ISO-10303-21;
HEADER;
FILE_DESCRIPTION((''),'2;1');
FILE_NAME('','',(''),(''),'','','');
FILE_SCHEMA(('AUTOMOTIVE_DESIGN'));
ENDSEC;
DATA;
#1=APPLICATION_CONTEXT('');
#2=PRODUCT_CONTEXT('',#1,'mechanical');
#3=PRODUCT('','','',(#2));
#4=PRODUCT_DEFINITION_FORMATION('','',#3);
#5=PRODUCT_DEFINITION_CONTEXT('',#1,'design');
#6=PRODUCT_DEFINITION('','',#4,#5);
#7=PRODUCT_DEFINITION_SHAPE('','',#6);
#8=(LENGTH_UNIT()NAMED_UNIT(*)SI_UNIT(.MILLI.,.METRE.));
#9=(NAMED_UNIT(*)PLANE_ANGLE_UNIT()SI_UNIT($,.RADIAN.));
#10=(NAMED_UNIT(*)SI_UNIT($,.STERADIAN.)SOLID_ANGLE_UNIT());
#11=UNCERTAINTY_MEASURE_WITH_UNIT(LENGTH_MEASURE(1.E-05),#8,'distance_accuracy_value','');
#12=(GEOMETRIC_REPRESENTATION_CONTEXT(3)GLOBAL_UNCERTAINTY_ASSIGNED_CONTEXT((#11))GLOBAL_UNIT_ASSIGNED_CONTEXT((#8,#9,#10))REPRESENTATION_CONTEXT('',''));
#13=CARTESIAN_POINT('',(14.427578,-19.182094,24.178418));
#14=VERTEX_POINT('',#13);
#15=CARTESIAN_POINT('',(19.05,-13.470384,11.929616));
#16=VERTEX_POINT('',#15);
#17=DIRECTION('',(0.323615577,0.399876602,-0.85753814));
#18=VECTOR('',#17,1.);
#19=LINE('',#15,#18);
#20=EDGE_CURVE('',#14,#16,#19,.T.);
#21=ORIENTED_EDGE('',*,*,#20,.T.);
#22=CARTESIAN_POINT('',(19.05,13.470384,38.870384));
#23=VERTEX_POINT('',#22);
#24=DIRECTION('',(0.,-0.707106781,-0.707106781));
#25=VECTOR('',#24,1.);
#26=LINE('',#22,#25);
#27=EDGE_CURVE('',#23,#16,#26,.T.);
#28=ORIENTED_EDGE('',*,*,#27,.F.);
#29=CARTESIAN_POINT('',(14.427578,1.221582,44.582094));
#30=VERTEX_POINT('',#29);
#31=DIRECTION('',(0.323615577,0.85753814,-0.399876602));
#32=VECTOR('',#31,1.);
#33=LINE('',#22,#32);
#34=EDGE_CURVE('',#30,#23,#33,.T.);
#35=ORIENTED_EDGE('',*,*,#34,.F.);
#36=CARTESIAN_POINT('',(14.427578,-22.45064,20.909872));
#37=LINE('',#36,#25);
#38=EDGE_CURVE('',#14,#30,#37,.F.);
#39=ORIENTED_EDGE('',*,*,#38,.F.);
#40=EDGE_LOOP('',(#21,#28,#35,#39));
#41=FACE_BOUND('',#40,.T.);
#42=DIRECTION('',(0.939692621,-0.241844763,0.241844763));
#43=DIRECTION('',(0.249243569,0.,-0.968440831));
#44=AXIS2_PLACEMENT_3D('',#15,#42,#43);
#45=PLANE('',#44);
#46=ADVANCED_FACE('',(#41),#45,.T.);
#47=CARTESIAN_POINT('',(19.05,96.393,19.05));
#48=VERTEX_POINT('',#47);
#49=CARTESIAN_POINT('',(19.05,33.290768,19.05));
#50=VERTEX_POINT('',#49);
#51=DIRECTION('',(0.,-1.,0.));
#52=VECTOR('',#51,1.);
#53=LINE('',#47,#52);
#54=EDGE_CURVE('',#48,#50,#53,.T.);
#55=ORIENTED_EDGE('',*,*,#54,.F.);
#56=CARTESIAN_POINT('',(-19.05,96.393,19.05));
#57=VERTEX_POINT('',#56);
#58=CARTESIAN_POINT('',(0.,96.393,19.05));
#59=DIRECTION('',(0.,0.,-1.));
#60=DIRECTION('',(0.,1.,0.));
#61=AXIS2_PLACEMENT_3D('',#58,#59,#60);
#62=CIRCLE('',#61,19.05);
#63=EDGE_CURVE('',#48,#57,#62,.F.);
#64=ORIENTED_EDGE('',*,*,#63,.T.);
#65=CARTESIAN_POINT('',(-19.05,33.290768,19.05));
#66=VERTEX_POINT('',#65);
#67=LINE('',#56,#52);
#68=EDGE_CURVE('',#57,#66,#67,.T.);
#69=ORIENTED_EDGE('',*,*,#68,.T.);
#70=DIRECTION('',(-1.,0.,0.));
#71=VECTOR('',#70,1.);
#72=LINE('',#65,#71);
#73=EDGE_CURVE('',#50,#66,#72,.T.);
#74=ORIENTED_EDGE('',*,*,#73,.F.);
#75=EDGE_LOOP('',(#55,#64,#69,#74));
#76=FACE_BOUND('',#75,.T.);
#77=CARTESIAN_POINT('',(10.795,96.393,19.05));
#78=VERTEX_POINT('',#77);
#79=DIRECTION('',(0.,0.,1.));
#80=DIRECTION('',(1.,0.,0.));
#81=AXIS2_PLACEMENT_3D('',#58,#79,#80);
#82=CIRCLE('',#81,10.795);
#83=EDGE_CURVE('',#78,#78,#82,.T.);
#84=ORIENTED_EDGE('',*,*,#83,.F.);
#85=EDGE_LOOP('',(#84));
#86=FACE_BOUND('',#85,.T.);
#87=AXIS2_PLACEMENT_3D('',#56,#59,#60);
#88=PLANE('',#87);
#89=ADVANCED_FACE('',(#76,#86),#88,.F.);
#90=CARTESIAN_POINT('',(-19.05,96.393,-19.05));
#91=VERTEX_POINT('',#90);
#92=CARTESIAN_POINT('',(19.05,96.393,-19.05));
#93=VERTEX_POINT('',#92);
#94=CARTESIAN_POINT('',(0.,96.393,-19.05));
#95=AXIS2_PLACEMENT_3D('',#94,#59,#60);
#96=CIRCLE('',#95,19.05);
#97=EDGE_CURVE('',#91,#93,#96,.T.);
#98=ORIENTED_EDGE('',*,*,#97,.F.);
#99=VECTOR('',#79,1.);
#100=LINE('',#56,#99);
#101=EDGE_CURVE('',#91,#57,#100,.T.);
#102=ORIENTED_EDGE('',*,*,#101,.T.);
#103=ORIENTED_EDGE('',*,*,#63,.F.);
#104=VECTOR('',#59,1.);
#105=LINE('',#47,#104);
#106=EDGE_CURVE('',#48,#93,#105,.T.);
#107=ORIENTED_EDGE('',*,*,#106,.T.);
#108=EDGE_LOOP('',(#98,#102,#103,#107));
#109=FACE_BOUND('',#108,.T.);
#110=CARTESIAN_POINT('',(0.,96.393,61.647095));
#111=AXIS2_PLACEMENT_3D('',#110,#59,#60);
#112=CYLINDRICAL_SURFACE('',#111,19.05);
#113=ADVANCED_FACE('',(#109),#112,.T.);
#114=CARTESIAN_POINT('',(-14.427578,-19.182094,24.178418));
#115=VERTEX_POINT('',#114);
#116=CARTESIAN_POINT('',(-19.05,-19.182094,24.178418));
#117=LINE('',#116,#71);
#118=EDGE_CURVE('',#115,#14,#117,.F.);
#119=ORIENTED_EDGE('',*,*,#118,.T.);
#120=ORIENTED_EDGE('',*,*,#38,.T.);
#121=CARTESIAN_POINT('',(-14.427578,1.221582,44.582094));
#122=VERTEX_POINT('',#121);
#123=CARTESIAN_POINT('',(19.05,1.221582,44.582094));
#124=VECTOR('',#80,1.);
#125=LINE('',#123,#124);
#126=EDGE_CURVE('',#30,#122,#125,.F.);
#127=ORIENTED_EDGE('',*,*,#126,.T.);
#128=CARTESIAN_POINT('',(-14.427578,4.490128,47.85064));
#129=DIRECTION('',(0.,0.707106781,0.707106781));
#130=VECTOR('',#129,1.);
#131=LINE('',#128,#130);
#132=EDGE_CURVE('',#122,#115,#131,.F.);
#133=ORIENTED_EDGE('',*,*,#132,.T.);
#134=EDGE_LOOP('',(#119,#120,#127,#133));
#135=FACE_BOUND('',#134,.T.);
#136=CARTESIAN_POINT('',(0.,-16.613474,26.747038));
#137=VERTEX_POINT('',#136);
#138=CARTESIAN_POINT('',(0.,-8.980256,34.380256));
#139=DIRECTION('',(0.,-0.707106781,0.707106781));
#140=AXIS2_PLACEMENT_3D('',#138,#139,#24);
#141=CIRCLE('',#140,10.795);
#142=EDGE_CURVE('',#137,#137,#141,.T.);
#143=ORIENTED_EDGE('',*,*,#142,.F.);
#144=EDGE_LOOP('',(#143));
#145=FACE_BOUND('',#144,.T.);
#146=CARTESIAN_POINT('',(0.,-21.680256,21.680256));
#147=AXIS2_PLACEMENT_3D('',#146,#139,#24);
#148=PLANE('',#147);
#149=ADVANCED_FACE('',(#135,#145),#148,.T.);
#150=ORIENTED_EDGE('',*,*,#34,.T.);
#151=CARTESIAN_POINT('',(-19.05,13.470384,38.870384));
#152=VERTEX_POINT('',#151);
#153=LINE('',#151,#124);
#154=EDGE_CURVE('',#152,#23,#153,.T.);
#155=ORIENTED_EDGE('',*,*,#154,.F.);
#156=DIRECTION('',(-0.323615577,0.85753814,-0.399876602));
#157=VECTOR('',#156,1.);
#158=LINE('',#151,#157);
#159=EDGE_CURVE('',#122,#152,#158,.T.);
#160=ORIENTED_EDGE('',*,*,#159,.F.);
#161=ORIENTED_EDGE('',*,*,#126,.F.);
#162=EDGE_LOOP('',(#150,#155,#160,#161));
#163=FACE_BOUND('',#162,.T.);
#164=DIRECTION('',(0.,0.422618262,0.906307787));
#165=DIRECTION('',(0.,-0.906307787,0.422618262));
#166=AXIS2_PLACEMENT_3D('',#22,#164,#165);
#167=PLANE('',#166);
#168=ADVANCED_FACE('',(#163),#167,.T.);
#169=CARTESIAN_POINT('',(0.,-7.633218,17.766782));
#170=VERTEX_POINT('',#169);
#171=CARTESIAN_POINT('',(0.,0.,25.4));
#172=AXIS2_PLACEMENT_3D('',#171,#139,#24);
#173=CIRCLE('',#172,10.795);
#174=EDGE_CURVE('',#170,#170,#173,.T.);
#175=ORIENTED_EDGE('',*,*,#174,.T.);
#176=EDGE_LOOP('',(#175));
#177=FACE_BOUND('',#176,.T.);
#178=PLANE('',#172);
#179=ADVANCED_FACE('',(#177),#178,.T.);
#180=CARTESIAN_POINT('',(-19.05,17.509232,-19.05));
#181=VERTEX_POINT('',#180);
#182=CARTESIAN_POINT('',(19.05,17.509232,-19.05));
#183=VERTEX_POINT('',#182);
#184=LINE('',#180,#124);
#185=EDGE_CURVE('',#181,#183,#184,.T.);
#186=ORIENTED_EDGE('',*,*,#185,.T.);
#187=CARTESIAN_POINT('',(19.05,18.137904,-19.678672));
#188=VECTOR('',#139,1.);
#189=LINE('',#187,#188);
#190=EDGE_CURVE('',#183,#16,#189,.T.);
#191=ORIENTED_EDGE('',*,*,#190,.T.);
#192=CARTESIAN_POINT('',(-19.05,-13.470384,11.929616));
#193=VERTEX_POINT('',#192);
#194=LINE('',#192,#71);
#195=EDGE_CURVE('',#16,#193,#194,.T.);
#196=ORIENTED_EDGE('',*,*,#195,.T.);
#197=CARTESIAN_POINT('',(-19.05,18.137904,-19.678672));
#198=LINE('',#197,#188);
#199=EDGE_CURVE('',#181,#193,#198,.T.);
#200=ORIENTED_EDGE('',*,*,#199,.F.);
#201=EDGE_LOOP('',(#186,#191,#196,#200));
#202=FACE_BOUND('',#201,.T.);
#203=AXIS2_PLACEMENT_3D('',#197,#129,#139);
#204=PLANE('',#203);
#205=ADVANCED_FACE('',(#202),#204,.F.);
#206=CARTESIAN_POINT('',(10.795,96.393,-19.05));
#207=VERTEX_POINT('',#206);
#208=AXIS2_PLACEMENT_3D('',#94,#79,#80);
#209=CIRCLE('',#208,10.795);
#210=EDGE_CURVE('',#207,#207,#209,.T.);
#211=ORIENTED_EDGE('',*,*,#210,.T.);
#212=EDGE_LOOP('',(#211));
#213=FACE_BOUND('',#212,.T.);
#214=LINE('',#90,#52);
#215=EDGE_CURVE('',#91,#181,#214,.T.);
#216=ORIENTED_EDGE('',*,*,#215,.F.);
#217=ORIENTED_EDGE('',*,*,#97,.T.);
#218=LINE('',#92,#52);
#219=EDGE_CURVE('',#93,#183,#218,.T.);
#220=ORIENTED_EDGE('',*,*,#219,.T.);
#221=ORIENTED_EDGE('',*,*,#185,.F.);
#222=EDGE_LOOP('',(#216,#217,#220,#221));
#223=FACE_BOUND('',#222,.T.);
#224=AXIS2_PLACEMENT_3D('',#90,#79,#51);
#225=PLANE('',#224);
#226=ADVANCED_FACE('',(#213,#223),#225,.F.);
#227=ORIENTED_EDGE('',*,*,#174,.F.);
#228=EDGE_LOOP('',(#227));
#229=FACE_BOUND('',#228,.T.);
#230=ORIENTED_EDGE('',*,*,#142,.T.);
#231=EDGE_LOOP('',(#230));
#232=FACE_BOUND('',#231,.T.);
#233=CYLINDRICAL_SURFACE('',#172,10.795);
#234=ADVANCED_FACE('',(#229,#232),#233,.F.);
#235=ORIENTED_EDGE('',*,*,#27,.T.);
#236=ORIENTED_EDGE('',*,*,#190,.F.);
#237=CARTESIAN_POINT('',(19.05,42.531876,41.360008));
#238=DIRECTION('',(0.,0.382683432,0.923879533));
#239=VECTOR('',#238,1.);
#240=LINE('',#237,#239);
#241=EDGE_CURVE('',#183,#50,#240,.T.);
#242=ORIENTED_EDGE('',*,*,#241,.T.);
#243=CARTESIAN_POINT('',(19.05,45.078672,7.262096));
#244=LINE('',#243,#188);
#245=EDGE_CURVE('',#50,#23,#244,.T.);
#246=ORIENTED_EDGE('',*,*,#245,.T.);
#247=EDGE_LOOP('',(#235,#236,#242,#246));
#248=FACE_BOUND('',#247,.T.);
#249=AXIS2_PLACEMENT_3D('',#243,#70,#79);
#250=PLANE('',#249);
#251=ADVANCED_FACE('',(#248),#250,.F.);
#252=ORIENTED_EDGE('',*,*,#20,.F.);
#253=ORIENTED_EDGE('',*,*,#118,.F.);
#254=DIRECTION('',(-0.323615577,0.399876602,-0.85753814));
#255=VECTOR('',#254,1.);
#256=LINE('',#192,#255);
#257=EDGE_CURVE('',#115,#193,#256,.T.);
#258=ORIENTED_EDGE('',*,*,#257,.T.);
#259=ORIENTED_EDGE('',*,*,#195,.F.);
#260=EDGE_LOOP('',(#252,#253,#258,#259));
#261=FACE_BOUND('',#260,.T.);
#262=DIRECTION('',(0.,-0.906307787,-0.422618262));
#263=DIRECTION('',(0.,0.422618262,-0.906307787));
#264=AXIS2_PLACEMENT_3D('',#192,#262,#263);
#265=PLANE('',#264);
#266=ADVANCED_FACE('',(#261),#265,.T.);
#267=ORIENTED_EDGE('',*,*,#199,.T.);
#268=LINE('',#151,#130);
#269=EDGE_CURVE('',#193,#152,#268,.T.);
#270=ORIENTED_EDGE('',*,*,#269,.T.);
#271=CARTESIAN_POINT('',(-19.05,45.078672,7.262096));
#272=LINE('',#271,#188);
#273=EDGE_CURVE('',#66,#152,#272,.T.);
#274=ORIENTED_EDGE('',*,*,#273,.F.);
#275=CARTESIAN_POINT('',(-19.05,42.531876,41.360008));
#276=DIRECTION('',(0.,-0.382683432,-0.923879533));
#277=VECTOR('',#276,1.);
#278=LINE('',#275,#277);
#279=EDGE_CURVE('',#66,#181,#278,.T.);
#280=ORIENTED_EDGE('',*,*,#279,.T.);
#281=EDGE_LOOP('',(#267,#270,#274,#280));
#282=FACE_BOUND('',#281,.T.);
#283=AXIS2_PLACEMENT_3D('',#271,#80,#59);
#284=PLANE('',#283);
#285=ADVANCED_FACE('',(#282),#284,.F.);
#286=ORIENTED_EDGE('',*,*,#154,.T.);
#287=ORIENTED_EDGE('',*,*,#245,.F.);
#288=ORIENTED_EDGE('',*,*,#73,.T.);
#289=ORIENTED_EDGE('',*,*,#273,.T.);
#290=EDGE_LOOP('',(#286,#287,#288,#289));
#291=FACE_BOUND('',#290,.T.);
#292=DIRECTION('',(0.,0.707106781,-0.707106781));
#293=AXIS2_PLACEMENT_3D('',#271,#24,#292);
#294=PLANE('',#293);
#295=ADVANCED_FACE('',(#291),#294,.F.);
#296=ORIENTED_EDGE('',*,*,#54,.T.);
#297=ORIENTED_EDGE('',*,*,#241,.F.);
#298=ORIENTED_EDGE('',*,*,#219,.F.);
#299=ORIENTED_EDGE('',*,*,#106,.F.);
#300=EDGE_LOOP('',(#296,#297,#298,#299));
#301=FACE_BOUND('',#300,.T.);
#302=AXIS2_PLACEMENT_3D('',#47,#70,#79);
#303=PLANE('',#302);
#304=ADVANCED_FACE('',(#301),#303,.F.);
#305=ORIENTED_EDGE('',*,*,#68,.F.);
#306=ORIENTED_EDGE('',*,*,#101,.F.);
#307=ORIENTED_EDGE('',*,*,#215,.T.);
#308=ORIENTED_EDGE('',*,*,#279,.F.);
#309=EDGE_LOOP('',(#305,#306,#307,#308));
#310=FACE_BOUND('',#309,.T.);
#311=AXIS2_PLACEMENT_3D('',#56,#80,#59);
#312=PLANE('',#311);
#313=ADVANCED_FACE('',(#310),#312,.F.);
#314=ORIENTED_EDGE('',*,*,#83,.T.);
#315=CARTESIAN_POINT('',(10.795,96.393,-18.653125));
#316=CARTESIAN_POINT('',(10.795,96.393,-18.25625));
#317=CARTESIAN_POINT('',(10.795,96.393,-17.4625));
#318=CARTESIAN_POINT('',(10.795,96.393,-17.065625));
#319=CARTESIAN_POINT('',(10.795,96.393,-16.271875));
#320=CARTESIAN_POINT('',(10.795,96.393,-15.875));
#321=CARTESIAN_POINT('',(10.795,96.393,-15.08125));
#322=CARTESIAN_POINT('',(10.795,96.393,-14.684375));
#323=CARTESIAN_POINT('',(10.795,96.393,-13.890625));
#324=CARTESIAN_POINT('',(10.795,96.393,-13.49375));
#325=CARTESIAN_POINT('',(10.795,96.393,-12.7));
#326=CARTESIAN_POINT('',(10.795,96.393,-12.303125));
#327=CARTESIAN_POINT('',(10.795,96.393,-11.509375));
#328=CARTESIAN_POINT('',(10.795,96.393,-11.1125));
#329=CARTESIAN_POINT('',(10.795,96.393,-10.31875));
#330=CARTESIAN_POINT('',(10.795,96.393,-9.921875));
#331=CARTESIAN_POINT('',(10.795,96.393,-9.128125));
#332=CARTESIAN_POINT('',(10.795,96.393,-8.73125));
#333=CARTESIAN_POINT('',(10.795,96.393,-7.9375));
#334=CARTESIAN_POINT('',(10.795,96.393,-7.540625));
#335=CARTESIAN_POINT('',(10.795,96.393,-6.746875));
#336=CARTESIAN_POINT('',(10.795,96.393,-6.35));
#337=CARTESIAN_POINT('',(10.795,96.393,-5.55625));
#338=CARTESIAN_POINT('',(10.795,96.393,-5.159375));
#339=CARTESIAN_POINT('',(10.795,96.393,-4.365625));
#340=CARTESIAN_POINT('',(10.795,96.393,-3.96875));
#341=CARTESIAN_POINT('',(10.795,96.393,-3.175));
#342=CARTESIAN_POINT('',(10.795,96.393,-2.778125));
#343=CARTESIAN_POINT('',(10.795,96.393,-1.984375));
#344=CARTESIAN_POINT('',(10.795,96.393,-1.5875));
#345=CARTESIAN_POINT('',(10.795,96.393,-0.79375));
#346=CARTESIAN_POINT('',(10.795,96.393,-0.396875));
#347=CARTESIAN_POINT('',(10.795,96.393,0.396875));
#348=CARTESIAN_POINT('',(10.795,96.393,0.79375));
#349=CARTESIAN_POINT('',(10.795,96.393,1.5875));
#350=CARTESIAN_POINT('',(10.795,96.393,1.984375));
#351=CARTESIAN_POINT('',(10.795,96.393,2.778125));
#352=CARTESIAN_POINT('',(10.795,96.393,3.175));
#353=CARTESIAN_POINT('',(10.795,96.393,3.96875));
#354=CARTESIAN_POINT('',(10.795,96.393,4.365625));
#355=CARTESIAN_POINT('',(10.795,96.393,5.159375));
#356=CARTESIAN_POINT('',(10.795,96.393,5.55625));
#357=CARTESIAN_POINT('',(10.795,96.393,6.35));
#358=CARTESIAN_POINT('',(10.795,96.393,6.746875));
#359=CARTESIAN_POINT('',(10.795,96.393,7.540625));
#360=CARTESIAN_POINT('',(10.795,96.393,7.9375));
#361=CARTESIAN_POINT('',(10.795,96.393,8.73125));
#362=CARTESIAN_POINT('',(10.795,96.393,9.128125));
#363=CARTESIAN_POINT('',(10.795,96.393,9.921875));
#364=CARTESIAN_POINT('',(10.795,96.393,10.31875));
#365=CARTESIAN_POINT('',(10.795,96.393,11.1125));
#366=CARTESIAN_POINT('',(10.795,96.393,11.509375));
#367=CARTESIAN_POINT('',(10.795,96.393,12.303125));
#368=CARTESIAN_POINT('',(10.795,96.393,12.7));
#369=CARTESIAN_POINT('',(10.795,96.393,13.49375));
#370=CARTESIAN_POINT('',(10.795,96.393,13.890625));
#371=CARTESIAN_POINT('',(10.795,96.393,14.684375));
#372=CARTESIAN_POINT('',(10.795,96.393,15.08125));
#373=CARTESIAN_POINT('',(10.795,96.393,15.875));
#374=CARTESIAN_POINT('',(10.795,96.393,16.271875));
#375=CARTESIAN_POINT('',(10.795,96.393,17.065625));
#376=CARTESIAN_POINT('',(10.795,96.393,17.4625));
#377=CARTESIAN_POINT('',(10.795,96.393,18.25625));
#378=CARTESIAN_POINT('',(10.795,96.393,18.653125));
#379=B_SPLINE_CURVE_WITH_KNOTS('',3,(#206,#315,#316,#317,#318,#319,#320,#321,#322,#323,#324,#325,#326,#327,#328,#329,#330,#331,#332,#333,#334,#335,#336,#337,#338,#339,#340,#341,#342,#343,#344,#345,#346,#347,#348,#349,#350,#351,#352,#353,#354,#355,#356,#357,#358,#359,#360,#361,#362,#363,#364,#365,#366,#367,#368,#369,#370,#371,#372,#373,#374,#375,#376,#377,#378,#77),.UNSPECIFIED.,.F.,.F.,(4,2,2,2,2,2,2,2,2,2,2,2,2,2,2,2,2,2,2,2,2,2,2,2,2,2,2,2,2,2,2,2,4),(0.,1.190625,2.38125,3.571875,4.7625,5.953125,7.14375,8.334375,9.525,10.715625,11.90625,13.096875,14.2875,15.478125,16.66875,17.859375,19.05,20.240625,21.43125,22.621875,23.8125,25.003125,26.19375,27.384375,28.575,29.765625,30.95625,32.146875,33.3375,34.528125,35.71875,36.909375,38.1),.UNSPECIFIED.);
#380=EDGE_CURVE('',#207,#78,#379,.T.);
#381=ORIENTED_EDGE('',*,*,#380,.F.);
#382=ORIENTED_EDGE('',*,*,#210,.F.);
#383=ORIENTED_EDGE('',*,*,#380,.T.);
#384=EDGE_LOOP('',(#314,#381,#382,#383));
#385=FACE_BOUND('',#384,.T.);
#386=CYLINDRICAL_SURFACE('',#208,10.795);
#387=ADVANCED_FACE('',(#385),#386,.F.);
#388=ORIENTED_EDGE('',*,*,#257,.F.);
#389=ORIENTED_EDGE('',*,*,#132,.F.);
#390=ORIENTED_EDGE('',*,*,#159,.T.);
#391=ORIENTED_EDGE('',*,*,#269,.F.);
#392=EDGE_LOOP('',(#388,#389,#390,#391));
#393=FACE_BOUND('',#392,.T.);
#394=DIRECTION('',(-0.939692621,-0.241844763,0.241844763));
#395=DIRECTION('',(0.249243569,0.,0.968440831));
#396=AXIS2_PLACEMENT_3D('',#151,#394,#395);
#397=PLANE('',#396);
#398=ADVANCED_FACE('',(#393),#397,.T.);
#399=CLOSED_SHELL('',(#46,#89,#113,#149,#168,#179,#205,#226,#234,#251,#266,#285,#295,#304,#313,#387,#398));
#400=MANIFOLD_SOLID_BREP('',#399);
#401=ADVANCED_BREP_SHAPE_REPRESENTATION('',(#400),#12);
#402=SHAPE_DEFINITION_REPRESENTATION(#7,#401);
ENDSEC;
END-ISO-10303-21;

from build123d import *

# Parameters (mm, degrees)
SKETCH11_W          = 38.1
SKETCH11_H          = 38.1
SKETCH12_W          = 38.1
SKETCH12_H          = 38.1
BOSS_EXTRUDE5_DEPTH = 12.7
BOSS_EXTRUDE5_TAPER = 20
BOSS_EXTRUDE6_DEPTH = 38.1
SKETCH14_R          = 10.795
CUT_EXTRUDE2_DEPTH  = 38.1
SKETCH15_R          = 10.795
CUT_EXTRUDE3_DEPTH  = 12.7


with BuildPart() as part:
    # Sweep1: sweep along a path in Sketch10
    with BuildLine(Plane(origin=(0, 0, 0), x_dir=(0, 0, -1), z_dir=(1, 0, 0))) as sweep1_path:
        Line((0, 96.393), (0, 25.4))
        Line((0, 25.4), (-25.4, 0))
    # Sketch11 → Sweep1 (sweep)
    with BuildSketch(Plane(origin=(0, 96.393, 0), x_dir=(1, 0, 0), z_dir=(0, 1, 0))):
        Rectangle(SKETCH11_W, SKETCH11_H)
    sweep(path=sweep1_path.line, transition=Transition.RIGHT)

    # Sketch12 → Boss-Extrude5 (add)
    with BuildSketch(Plane(origin=(0, -12.7, 12.7), x_dir=(1, 0, 0), z_dir=(0, -0.7071067811865461, 0.7071067811865489))):
        with Locations((0, 17.960512242)):
            Rectangle(SKETCH12_W, SKETCH12_H)
    extrude(amount=BOSS_EXTRUDE5_DEPTH, taper=BOSS_EXTRUDE5_TAPER)

    # Sketch13 → Boss-Extrude6 (add)
    with BuildSketch(Plane(origin=(0, 0, -19.05), x_dir=(-1, 0, 0), z_dir=(0, 0, -1))):
        with BuildLine():
            Line((-19.05, 96.393), (19.05, 96.393))
            ThreePointArc((19.05, 96.393), (0, 115.443), (-19.05, 96.393))
        make_face()
    extrude(amount=-BOSS_EXTRUDE6_DEPTH)

    # Sketch14 → Cut-Extrude2 (cut)
    with BuildSketch(Plane.XY.offset(19.05)):
        with Locations((0, 96.393)):
            Circle(SKETCH14_R)
    extrude(amount=-CUT_EXTRUDE2_DEPTH, mode=Mode.SUBTRACT)

    # Sketch15 → Cut-Extrude3 (cut)
    with BuildSketch(Plane(origin=(0, -21.680256121, 21.680256121), x_dir=(1, 0, 0), z_dir=(0, -0.7071067811865461, 0.7071067811865489))):
        with Locations(Location((0, 17.960512242, 0), (0, 0, 270))):
            Circle(SKETCH15_R)
    extrude(amount=-CUT_EXTRUDE3_DEPTH, mode=Mode.SUBTRACT)


solid = part.part
